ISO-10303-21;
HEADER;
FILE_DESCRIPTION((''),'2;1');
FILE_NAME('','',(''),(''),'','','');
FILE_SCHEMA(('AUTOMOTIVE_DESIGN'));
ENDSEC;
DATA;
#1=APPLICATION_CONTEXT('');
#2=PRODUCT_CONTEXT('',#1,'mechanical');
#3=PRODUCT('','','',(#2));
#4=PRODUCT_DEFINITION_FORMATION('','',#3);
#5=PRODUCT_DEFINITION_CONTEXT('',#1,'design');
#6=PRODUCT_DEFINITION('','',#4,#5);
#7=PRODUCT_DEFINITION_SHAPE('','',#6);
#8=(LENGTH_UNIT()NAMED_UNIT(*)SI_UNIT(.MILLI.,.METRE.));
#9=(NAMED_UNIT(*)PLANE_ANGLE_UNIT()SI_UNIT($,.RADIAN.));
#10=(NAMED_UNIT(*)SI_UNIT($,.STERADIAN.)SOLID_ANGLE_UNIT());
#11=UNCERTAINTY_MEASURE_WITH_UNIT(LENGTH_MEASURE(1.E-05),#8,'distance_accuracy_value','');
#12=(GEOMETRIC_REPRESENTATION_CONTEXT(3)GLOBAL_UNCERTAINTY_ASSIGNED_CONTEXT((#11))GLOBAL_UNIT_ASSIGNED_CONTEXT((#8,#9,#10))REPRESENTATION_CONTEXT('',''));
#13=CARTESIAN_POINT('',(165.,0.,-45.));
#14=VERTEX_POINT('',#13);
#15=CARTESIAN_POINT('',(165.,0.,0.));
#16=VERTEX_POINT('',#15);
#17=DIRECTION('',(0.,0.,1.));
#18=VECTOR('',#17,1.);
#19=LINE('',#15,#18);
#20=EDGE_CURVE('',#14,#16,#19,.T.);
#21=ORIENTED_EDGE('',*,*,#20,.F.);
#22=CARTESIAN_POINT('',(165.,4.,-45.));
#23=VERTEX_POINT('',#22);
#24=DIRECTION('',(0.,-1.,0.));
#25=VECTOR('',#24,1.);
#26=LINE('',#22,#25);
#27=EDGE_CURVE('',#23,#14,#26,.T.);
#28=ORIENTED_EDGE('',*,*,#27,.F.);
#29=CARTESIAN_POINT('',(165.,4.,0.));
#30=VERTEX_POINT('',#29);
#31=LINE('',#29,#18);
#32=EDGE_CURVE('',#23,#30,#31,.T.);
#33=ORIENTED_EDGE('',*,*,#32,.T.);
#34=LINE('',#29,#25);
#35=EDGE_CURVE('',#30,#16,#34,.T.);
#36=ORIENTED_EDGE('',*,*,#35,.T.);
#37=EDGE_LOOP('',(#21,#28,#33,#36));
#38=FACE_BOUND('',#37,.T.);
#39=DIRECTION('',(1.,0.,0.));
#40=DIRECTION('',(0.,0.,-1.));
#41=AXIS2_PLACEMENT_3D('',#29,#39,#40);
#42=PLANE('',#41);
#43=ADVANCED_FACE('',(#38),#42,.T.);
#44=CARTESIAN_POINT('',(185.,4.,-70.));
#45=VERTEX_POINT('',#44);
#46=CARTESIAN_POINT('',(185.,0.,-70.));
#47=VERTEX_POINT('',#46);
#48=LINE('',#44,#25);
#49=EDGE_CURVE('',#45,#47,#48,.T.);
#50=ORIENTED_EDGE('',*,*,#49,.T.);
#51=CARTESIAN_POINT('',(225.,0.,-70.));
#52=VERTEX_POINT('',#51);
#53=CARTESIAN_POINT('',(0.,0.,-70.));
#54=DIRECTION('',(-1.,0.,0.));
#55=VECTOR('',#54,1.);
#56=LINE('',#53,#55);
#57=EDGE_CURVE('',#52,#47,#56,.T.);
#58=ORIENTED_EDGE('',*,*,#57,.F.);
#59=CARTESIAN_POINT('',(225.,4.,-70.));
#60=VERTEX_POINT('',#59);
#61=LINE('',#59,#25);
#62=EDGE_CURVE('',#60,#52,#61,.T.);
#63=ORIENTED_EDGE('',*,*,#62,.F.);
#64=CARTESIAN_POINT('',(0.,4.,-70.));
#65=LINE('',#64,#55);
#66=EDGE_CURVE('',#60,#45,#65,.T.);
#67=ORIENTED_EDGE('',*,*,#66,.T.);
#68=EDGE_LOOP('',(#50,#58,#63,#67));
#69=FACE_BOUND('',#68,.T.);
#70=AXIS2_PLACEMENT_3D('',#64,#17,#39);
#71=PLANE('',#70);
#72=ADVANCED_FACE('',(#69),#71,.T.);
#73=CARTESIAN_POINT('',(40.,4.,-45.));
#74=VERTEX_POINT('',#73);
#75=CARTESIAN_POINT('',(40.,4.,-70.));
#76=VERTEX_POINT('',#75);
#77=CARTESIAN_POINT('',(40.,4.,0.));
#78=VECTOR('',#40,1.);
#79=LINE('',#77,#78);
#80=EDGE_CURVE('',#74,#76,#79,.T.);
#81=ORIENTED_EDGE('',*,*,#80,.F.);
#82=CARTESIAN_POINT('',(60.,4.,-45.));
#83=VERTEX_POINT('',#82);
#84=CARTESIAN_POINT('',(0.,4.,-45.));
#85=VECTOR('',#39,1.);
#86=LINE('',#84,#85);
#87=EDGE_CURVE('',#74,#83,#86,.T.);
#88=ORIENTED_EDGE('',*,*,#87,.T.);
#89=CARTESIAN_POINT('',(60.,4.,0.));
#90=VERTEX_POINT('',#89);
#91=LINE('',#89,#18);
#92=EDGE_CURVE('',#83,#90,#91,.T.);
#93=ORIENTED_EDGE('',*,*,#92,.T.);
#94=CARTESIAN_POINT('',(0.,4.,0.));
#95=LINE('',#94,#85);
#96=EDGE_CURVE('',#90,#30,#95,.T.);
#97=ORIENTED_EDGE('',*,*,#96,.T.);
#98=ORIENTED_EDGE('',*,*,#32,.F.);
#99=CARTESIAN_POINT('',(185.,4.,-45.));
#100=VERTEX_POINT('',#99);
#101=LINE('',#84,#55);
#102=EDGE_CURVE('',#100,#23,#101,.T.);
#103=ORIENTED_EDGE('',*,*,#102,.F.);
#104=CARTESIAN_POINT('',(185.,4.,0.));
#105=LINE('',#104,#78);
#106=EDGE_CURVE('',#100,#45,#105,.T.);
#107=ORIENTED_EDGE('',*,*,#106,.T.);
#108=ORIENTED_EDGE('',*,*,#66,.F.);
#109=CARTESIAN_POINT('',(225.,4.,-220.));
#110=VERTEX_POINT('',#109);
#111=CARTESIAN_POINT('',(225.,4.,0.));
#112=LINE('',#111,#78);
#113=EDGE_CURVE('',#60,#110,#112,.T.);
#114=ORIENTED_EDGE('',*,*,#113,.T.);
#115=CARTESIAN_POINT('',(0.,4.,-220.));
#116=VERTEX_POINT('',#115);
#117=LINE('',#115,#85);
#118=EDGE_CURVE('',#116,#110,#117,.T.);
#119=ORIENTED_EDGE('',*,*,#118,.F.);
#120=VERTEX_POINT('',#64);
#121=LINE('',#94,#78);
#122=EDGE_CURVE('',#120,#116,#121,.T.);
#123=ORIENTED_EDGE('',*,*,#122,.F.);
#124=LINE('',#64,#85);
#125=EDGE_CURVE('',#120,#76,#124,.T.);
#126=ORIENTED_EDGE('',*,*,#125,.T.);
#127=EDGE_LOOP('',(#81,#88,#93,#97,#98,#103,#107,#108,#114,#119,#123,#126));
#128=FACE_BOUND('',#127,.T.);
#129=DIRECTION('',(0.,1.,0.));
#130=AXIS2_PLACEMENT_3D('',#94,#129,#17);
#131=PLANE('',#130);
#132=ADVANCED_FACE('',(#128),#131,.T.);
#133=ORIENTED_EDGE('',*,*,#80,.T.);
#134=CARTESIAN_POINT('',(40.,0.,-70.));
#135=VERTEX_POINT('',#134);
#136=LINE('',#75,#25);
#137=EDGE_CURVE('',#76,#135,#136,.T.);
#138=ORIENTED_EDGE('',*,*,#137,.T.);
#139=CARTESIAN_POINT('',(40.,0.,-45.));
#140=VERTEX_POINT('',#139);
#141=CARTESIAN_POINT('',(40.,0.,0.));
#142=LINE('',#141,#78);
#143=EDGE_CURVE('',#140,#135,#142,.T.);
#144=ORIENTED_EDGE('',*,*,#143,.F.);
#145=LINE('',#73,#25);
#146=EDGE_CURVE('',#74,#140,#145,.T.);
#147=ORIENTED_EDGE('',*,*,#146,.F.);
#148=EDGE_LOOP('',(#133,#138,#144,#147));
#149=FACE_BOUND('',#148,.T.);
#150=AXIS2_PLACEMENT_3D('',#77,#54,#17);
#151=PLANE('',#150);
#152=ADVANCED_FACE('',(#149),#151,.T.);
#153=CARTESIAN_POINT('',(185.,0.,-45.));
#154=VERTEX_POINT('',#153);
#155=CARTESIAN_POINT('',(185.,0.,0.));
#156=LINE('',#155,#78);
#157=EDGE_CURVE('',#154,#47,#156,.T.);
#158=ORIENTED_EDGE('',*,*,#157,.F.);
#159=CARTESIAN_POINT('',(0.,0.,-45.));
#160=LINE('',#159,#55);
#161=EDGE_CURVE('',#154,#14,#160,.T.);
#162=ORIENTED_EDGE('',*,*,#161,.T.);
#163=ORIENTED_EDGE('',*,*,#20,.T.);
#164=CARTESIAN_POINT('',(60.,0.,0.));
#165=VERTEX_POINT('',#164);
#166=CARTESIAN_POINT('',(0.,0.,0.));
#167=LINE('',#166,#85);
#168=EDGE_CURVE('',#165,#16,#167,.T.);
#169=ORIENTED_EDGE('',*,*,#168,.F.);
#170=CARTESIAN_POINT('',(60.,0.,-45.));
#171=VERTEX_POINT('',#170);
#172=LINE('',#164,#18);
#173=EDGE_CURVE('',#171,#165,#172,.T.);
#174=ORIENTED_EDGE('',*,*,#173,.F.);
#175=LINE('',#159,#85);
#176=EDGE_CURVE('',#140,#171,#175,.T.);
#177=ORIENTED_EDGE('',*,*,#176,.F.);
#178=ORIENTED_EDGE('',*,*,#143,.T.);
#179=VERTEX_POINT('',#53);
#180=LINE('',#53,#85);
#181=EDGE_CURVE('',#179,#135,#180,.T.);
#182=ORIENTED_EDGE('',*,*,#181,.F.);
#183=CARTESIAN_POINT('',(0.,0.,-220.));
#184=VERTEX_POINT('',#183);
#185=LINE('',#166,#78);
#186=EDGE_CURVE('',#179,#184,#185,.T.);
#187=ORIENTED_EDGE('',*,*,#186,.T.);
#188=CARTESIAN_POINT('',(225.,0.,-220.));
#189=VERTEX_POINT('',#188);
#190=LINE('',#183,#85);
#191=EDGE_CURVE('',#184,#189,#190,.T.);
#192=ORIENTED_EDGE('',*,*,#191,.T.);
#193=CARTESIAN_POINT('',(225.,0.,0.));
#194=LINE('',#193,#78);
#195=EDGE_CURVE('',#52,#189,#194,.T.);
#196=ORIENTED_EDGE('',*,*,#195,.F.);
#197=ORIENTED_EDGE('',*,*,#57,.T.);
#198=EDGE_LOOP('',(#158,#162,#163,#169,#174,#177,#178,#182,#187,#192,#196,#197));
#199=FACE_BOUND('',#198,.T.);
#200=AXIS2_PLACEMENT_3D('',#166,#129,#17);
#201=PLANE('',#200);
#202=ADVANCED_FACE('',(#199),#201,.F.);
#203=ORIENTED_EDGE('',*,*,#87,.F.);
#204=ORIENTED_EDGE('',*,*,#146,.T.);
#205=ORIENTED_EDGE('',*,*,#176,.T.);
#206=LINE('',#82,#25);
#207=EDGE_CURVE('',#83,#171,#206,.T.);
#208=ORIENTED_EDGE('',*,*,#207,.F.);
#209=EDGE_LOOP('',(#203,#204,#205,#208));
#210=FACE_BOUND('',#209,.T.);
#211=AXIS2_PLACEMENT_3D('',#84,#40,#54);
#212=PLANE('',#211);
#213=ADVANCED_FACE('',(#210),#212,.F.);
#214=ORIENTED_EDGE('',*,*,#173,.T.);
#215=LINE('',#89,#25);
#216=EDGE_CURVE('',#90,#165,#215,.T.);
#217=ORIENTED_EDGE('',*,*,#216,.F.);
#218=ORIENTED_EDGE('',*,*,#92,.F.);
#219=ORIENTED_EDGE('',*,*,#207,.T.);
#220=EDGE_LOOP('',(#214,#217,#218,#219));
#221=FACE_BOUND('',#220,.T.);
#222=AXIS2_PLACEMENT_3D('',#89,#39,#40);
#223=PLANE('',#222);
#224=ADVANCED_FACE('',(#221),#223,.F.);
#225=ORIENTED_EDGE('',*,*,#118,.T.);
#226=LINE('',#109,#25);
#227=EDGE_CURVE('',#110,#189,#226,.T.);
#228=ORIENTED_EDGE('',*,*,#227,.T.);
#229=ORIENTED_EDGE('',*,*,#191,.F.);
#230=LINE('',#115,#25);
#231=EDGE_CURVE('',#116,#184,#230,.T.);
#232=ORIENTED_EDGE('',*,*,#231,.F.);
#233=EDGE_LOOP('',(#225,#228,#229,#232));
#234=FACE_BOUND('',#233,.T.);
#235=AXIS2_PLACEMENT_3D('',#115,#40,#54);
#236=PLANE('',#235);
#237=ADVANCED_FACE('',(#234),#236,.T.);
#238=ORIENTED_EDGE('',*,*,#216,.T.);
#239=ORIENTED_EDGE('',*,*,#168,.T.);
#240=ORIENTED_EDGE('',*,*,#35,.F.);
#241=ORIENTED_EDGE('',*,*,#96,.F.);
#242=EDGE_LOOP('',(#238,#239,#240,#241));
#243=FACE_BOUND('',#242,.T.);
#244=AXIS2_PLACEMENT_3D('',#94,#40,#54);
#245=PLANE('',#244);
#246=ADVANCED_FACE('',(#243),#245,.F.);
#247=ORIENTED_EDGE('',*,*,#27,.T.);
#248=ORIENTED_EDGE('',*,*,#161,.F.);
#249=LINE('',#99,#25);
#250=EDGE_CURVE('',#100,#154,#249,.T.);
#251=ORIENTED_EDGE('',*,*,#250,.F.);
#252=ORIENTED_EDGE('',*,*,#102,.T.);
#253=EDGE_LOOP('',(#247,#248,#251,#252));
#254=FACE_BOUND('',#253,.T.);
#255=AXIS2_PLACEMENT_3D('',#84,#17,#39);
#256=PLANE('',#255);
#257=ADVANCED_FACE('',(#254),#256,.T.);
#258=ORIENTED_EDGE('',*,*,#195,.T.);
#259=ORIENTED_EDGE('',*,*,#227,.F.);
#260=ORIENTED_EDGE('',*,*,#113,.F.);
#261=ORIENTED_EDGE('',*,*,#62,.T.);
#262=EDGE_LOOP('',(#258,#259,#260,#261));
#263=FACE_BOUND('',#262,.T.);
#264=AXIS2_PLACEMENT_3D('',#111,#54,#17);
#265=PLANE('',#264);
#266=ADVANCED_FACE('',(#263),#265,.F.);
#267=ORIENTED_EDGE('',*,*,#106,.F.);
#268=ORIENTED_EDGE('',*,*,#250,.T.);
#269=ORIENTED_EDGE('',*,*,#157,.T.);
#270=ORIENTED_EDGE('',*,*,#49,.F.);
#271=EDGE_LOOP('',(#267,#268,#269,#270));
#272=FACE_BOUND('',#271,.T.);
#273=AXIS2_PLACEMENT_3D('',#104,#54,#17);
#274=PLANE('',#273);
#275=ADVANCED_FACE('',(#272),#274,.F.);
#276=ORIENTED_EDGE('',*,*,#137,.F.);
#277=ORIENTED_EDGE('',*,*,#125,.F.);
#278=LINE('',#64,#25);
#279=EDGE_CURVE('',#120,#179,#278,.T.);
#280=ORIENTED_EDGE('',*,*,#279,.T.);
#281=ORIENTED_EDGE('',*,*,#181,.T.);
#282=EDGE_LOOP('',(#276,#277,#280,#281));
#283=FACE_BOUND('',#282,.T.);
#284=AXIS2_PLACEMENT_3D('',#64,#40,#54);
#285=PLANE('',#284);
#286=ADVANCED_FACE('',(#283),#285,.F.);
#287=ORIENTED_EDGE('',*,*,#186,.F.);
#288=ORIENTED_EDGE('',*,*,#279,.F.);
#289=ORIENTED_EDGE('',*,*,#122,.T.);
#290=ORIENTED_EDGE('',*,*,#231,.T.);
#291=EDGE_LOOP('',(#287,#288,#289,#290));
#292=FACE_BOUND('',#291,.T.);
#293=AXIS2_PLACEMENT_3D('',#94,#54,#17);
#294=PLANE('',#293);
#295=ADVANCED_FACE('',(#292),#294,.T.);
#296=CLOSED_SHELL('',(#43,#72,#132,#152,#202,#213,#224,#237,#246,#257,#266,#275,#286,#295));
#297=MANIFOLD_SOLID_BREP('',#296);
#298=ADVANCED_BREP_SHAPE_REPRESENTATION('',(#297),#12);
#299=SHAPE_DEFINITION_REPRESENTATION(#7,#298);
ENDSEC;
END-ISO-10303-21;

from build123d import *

# Parameters (mm, degrees)
BOSS_EXTRUDE1_DEPTH = 4


with BuildPart() as part:
    # Sketch1 → Boss-Extrude1 (new body)
    with BuildSketch(Plane(origin=(0, 0, 0), x_dir=(1, 0, 0), z_dir=(0, 1, 0))):
        Polygon((0, 220), (0, 70), (40, 70), (40, 45), (60, 45), (60, 25), (60, 0), (165, 0), (165, 25), (165, 45), (185, 45), (185, 70), (225, 70), (225, 220), align=None)
    extrude(amount=BOSS_EXTRUDE1_DEPTH)


solid = part.part
